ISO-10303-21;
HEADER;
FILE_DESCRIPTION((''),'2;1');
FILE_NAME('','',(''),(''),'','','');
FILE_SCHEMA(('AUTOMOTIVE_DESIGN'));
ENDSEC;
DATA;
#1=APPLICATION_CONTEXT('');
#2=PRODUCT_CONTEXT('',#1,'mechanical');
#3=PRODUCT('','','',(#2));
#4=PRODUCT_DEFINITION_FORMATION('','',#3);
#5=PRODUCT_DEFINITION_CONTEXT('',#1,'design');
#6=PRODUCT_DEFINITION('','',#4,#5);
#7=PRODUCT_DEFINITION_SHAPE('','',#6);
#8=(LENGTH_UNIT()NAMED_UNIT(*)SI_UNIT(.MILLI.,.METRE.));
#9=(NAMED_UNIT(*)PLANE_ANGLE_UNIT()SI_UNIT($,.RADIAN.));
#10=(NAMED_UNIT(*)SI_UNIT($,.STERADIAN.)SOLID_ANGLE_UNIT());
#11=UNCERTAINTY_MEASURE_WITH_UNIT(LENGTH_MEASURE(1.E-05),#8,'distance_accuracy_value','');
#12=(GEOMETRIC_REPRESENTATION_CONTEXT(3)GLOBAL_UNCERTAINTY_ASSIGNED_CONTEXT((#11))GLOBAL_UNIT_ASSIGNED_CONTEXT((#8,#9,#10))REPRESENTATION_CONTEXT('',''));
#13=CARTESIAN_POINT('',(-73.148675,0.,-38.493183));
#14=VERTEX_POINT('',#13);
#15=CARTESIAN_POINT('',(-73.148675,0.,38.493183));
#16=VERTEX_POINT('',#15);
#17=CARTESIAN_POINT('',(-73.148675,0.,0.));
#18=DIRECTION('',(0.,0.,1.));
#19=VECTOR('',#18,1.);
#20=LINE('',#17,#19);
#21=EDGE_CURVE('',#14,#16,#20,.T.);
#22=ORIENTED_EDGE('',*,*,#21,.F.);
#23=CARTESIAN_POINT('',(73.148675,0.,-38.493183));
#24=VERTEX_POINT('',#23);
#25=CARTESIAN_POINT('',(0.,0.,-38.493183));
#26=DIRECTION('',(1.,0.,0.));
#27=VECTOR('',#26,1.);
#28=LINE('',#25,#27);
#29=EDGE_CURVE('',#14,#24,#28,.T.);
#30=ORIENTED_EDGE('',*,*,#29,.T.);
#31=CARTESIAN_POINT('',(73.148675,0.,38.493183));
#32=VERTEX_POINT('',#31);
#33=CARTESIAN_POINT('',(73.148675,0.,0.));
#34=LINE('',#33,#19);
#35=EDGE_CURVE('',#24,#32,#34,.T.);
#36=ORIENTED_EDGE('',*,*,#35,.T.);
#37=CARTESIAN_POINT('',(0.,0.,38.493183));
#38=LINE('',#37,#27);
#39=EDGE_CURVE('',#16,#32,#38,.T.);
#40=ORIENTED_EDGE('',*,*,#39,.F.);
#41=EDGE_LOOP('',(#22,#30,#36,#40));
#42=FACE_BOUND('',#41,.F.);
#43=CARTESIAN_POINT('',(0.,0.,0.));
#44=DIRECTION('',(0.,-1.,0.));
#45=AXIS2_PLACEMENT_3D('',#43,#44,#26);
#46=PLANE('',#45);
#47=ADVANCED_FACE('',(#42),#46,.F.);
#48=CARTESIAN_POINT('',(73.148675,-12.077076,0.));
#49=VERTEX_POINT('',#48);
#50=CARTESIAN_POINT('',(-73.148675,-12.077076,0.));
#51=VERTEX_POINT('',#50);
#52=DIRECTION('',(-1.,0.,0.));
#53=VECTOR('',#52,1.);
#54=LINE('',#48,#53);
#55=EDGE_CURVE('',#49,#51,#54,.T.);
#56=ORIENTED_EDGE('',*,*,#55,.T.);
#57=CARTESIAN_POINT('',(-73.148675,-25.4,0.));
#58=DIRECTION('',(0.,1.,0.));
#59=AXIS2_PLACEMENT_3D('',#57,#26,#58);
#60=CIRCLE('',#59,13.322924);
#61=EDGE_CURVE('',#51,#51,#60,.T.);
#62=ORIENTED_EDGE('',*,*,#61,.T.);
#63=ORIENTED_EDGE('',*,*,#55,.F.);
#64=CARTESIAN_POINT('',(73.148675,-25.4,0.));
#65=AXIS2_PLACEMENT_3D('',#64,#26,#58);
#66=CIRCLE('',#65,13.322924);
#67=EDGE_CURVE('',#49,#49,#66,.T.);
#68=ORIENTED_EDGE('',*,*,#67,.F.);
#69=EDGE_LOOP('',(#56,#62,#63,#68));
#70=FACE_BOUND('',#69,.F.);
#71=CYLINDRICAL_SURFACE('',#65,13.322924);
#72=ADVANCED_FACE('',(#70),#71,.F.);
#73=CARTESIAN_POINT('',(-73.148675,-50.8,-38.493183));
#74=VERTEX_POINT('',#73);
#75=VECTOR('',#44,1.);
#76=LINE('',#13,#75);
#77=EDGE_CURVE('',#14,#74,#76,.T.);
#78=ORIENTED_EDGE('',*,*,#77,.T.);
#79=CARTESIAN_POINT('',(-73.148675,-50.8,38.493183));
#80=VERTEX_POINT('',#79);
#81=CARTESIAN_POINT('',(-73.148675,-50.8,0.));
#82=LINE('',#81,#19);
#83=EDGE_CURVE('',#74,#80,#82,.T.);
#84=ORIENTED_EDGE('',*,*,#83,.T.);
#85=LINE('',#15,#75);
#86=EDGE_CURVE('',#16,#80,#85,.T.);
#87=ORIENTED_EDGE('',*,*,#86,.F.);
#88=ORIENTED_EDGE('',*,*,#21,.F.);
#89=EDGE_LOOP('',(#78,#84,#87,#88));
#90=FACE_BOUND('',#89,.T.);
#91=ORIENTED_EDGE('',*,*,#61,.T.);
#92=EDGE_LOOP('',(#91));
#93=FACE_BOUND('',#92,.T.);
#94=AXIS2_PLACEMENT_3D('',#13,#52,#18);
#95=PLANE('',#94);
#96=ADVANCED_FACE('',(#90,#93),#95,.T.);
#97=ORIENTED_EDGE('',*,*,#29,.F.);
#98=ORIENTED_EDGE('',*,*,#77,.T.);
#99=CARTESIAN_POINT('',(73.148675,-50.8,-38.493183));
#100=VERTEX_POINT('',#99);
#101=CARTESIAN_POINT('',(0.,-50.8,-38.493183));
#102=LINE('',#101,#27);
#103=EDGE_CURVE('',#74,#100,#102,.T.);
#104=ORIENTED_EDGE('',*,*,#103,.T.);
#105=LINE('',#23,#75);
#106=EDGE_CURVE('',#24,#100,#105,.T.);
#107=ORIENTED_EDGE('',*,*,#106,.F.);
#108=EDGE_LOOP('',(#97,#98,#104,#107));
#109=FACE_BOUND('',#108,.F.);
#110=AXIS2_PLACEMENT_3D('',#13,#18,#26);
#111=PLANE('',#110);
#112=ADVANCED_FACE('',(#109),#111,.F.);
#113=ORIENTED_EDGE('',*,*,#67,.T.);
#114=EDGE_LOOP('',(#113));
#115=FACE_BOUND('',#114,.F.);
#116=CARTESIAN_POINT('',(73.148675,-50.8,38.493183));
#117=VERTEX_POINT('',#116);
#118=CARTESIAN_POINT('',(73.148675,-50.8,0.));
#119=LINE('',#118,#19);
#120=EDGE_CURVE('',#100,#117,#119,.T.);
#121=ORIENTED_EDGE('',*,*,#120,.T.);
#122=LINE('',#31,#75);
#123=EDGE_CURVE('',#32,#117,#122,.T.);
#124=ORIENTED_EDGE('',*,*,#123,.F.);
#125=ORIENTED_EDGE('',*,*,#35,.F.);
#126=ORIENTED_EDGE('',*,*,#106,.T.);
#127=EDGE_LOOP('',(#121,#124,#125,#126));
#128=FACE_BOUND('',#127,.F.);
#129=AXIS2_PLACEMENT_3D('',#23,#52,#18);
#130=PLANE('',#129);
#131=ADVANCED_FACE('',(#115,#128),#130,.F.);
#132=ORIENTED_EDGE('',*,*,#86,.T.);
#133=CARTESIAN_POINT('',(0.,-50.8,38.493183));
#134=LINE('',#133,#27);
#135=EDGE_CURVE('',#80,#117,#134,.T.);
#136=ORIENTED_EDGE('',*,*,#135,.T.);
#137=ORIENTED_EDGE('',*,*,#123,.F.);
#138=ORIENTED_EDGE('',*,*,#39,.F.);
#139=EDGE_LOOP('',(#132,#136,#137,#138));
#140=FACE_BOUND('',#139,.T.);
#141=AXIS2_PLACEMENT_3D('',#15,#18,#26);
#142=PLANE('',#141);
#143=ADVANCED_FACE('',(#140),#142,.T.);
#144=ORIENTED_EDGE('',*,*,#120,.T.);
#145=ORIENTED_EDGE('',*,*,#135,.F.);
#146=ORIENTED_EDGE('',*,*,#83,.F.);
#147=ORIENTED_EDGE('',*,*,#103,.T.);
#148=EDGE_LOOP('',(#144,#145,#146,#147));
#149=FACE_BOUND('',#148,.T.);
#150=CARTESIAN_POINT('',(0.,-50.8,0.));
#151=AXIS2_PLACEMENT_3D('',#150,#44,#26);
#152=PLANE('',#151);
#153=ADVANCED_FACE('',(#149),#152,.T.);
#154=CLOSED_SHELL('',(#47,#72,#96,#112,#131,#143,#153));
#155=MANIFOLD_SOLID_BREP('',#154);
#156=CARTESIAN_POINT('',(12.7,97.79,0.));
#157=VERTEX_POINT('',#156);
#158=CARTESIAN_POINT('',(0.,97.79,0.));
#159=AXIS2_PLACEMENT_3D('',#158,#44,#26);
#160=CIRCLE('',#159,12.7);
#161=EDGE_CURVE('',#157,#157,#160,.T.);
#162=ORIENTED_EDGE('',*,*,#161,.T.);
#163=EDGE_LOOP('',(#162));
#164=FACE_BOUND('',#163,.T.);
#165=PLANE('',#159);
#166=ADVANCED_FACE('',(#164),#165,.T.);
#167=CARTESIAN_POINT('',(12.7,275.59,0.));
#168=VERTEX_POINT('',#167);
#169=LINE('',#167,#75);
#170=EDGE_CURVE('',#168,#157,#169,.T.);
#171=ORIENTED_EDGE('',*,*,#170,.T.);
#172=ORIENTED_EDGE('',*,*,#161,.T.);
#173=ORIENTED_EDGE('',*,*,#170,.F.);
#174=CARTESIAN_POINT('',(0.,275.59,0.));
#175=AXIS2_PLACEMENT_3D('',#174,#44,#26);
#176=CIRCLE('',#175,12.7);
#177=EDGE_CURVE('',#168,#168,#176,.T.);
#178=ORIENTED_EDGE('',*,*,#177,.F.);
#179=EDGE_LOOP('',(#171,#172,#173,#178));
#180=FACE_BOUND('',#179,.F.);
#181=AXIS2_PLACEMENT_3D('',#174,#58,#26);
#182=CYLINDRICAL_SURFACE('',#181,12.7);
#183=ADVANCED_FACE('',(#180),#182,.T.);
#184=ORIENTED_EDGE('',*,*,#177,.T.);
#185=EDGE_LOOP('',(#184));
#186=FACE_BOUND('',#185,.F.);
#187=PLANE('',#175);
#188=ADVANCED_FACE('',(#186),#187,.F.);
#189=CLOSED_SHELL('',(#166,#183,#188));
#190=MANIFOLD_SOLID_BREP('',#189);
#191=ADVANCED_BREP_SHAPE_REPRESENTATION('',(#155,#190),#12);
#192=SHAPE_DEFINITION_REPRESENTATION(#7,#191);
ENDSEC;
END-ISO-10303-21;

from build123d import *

# Parameters (mm, degrees)
F0_W     = 146.29735
F0_H     = 76.986366
F1_DEPTH = 50.8
F2_R     = 13.322924
F3_DEPTH = 228.6
F5_R     = 12.7
F6_DEPTH = 177.8


with BuildPart() as f1:
    # F0 (on Front) → F1 (new body)
    with BuildSketch(Plane.XZ):
        Rectangle(F0_W, F0_H)
    extrude(amount=F1_DEPTH)

    # F2 (on face) → F3 (cut)
    with BuildSketch(Plane.YZ.offset(73.148675)):
        with Locations((-25.4, 0)):
            Circle(F2_R)
    extrude(amount=-F3_DEPTH, mode=Mode.SUBTRACT)


with BuildPart() as f6:
    # F5 (on offset) → F6 (new body)
    with BuildSketch(Plane.XZ.offset(-275.59)):
        Circle(F5_R)
    extrude(amount=F6_DEPTH)


solid = Compound([f1.part, f6.part])
